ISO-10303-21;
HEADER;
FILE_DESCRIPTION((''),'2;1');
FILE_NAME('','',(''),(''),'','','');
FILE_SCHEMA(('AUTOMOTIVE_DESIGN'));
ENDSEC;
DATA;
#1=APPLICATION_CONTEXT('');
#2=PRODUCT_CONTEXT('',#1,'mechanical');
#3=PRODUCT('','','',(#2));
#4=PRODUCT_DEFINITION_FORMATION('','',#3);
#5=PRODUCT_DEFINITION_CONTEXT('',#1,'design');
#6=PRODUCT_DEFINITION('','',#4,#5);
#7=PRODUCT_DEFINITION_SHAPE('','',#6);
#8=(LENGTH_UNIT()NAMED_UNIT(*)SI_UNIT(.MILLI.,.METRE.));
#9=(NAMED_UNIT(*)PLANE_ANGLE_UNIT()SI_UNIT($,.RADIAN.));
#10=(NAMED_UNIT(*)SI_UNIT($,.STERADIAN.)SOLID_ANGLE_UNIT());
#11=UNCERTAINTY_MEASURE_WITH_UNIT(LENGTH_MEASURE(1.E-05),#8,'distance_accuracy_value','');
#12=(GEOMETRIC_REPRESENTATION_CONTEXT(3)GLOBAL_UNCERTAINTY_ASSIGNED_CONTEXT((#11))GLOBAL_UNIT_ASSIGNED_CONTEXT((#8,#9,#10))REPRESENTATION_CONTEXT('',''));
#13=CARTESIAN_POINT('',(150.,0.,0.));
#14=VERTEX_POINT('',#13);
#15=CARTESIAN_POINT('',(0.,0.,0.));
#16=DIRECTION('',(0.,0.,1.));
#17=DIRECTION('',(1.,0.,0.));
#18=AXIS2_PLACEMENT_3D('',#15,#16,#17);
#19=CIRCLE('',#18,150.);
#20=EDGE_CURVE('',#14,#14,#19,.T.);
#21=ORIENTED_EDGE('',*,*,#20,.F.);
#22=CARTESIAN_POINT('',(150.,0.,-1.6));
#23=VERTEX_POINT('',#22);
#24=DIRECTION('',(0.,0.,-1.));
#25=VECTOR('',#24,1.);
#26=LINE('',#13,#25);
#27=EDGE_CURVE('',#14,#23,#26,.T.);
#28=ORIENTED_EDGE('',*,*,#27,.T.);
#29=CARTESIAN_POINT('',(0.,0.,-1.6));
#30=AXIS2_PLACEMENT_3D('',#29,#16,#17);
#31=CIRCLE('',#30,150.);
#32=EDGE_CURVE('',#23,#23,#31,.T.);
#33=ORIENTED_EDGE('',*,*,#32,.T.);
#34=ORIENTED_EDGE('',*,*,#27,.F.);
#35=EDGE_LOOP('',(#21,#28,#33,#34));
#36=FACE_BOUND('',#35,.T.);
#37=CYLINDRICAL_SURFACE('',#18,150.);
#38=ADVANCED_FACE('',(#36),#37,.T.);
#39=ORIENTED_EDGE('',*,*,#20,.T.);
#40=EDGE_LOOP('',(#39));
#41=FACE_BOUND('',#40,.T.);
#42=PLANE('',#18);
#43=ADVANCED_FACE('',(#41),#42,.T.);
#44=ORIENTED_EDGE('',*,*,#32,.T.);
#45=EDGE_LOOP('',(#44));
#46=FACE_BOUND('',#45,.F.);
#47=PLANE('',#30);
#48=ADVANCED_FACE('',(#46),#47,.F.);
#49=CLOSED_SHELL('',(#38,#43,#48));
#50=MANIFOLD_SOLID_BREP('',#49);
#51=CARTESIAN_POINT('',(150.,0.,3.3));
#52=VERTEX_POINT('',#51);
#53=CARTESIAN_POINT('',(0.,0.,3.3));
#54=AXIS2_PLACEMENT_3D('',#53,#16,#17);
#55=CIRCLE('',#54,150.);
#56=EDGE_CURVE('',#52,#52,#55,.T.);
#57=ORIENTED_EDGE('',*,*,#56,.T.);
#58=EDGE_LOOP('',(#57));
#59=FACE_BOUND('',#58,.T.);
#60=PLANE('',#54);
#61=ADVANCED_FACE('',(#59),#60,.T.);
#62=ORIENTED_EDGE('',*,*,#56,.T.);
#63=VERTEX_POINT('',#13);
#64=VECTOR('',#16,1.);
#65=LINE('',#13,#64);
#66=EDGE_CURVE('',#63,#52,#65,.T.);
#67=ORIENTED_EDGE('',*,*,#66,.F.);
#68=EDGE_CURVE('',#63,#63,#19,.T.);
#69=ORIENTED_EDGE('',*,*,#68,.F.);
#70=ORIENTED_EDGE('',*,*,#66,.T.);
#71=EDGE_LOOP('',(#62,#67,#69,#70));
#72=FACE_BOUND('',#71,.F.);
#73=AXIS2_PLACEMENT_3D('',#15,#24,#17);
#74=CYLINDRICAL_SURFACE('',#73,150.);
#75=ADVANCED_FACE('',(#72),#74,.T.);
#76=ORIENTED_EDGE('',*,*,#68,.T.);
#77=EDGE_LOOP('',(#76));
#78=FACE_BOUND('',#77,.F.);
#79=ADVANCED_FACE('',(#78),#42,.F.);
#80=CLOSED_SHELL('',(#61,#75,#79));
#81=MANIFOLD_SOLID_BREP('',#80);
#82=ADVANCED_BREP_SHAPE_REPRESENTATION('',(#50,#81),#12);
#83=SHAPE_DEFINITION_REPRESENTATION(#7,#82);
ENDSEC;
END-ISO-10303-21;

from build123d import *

# Parameters (mm, degrees)
F0_R     = 150
F1_DEPTH = 3.3
F2_DEPTH = 1.6


with BuildPart() as f1:
    # F0 (on Top) → F1 (new body)
    with BuildSketch(Plane.XY):
        Circle(F0_R)
    extrude(amount=F1_DEPTH)


with BuildPart() as f2:
    # F0 (on Top) → F2 (new body)
    with BuildSketch(Plane.XY):
        Circle(F0_R)
    extrude(amount=-F2_DEPTH)


solid = Compound([f1.part, f2.part])
